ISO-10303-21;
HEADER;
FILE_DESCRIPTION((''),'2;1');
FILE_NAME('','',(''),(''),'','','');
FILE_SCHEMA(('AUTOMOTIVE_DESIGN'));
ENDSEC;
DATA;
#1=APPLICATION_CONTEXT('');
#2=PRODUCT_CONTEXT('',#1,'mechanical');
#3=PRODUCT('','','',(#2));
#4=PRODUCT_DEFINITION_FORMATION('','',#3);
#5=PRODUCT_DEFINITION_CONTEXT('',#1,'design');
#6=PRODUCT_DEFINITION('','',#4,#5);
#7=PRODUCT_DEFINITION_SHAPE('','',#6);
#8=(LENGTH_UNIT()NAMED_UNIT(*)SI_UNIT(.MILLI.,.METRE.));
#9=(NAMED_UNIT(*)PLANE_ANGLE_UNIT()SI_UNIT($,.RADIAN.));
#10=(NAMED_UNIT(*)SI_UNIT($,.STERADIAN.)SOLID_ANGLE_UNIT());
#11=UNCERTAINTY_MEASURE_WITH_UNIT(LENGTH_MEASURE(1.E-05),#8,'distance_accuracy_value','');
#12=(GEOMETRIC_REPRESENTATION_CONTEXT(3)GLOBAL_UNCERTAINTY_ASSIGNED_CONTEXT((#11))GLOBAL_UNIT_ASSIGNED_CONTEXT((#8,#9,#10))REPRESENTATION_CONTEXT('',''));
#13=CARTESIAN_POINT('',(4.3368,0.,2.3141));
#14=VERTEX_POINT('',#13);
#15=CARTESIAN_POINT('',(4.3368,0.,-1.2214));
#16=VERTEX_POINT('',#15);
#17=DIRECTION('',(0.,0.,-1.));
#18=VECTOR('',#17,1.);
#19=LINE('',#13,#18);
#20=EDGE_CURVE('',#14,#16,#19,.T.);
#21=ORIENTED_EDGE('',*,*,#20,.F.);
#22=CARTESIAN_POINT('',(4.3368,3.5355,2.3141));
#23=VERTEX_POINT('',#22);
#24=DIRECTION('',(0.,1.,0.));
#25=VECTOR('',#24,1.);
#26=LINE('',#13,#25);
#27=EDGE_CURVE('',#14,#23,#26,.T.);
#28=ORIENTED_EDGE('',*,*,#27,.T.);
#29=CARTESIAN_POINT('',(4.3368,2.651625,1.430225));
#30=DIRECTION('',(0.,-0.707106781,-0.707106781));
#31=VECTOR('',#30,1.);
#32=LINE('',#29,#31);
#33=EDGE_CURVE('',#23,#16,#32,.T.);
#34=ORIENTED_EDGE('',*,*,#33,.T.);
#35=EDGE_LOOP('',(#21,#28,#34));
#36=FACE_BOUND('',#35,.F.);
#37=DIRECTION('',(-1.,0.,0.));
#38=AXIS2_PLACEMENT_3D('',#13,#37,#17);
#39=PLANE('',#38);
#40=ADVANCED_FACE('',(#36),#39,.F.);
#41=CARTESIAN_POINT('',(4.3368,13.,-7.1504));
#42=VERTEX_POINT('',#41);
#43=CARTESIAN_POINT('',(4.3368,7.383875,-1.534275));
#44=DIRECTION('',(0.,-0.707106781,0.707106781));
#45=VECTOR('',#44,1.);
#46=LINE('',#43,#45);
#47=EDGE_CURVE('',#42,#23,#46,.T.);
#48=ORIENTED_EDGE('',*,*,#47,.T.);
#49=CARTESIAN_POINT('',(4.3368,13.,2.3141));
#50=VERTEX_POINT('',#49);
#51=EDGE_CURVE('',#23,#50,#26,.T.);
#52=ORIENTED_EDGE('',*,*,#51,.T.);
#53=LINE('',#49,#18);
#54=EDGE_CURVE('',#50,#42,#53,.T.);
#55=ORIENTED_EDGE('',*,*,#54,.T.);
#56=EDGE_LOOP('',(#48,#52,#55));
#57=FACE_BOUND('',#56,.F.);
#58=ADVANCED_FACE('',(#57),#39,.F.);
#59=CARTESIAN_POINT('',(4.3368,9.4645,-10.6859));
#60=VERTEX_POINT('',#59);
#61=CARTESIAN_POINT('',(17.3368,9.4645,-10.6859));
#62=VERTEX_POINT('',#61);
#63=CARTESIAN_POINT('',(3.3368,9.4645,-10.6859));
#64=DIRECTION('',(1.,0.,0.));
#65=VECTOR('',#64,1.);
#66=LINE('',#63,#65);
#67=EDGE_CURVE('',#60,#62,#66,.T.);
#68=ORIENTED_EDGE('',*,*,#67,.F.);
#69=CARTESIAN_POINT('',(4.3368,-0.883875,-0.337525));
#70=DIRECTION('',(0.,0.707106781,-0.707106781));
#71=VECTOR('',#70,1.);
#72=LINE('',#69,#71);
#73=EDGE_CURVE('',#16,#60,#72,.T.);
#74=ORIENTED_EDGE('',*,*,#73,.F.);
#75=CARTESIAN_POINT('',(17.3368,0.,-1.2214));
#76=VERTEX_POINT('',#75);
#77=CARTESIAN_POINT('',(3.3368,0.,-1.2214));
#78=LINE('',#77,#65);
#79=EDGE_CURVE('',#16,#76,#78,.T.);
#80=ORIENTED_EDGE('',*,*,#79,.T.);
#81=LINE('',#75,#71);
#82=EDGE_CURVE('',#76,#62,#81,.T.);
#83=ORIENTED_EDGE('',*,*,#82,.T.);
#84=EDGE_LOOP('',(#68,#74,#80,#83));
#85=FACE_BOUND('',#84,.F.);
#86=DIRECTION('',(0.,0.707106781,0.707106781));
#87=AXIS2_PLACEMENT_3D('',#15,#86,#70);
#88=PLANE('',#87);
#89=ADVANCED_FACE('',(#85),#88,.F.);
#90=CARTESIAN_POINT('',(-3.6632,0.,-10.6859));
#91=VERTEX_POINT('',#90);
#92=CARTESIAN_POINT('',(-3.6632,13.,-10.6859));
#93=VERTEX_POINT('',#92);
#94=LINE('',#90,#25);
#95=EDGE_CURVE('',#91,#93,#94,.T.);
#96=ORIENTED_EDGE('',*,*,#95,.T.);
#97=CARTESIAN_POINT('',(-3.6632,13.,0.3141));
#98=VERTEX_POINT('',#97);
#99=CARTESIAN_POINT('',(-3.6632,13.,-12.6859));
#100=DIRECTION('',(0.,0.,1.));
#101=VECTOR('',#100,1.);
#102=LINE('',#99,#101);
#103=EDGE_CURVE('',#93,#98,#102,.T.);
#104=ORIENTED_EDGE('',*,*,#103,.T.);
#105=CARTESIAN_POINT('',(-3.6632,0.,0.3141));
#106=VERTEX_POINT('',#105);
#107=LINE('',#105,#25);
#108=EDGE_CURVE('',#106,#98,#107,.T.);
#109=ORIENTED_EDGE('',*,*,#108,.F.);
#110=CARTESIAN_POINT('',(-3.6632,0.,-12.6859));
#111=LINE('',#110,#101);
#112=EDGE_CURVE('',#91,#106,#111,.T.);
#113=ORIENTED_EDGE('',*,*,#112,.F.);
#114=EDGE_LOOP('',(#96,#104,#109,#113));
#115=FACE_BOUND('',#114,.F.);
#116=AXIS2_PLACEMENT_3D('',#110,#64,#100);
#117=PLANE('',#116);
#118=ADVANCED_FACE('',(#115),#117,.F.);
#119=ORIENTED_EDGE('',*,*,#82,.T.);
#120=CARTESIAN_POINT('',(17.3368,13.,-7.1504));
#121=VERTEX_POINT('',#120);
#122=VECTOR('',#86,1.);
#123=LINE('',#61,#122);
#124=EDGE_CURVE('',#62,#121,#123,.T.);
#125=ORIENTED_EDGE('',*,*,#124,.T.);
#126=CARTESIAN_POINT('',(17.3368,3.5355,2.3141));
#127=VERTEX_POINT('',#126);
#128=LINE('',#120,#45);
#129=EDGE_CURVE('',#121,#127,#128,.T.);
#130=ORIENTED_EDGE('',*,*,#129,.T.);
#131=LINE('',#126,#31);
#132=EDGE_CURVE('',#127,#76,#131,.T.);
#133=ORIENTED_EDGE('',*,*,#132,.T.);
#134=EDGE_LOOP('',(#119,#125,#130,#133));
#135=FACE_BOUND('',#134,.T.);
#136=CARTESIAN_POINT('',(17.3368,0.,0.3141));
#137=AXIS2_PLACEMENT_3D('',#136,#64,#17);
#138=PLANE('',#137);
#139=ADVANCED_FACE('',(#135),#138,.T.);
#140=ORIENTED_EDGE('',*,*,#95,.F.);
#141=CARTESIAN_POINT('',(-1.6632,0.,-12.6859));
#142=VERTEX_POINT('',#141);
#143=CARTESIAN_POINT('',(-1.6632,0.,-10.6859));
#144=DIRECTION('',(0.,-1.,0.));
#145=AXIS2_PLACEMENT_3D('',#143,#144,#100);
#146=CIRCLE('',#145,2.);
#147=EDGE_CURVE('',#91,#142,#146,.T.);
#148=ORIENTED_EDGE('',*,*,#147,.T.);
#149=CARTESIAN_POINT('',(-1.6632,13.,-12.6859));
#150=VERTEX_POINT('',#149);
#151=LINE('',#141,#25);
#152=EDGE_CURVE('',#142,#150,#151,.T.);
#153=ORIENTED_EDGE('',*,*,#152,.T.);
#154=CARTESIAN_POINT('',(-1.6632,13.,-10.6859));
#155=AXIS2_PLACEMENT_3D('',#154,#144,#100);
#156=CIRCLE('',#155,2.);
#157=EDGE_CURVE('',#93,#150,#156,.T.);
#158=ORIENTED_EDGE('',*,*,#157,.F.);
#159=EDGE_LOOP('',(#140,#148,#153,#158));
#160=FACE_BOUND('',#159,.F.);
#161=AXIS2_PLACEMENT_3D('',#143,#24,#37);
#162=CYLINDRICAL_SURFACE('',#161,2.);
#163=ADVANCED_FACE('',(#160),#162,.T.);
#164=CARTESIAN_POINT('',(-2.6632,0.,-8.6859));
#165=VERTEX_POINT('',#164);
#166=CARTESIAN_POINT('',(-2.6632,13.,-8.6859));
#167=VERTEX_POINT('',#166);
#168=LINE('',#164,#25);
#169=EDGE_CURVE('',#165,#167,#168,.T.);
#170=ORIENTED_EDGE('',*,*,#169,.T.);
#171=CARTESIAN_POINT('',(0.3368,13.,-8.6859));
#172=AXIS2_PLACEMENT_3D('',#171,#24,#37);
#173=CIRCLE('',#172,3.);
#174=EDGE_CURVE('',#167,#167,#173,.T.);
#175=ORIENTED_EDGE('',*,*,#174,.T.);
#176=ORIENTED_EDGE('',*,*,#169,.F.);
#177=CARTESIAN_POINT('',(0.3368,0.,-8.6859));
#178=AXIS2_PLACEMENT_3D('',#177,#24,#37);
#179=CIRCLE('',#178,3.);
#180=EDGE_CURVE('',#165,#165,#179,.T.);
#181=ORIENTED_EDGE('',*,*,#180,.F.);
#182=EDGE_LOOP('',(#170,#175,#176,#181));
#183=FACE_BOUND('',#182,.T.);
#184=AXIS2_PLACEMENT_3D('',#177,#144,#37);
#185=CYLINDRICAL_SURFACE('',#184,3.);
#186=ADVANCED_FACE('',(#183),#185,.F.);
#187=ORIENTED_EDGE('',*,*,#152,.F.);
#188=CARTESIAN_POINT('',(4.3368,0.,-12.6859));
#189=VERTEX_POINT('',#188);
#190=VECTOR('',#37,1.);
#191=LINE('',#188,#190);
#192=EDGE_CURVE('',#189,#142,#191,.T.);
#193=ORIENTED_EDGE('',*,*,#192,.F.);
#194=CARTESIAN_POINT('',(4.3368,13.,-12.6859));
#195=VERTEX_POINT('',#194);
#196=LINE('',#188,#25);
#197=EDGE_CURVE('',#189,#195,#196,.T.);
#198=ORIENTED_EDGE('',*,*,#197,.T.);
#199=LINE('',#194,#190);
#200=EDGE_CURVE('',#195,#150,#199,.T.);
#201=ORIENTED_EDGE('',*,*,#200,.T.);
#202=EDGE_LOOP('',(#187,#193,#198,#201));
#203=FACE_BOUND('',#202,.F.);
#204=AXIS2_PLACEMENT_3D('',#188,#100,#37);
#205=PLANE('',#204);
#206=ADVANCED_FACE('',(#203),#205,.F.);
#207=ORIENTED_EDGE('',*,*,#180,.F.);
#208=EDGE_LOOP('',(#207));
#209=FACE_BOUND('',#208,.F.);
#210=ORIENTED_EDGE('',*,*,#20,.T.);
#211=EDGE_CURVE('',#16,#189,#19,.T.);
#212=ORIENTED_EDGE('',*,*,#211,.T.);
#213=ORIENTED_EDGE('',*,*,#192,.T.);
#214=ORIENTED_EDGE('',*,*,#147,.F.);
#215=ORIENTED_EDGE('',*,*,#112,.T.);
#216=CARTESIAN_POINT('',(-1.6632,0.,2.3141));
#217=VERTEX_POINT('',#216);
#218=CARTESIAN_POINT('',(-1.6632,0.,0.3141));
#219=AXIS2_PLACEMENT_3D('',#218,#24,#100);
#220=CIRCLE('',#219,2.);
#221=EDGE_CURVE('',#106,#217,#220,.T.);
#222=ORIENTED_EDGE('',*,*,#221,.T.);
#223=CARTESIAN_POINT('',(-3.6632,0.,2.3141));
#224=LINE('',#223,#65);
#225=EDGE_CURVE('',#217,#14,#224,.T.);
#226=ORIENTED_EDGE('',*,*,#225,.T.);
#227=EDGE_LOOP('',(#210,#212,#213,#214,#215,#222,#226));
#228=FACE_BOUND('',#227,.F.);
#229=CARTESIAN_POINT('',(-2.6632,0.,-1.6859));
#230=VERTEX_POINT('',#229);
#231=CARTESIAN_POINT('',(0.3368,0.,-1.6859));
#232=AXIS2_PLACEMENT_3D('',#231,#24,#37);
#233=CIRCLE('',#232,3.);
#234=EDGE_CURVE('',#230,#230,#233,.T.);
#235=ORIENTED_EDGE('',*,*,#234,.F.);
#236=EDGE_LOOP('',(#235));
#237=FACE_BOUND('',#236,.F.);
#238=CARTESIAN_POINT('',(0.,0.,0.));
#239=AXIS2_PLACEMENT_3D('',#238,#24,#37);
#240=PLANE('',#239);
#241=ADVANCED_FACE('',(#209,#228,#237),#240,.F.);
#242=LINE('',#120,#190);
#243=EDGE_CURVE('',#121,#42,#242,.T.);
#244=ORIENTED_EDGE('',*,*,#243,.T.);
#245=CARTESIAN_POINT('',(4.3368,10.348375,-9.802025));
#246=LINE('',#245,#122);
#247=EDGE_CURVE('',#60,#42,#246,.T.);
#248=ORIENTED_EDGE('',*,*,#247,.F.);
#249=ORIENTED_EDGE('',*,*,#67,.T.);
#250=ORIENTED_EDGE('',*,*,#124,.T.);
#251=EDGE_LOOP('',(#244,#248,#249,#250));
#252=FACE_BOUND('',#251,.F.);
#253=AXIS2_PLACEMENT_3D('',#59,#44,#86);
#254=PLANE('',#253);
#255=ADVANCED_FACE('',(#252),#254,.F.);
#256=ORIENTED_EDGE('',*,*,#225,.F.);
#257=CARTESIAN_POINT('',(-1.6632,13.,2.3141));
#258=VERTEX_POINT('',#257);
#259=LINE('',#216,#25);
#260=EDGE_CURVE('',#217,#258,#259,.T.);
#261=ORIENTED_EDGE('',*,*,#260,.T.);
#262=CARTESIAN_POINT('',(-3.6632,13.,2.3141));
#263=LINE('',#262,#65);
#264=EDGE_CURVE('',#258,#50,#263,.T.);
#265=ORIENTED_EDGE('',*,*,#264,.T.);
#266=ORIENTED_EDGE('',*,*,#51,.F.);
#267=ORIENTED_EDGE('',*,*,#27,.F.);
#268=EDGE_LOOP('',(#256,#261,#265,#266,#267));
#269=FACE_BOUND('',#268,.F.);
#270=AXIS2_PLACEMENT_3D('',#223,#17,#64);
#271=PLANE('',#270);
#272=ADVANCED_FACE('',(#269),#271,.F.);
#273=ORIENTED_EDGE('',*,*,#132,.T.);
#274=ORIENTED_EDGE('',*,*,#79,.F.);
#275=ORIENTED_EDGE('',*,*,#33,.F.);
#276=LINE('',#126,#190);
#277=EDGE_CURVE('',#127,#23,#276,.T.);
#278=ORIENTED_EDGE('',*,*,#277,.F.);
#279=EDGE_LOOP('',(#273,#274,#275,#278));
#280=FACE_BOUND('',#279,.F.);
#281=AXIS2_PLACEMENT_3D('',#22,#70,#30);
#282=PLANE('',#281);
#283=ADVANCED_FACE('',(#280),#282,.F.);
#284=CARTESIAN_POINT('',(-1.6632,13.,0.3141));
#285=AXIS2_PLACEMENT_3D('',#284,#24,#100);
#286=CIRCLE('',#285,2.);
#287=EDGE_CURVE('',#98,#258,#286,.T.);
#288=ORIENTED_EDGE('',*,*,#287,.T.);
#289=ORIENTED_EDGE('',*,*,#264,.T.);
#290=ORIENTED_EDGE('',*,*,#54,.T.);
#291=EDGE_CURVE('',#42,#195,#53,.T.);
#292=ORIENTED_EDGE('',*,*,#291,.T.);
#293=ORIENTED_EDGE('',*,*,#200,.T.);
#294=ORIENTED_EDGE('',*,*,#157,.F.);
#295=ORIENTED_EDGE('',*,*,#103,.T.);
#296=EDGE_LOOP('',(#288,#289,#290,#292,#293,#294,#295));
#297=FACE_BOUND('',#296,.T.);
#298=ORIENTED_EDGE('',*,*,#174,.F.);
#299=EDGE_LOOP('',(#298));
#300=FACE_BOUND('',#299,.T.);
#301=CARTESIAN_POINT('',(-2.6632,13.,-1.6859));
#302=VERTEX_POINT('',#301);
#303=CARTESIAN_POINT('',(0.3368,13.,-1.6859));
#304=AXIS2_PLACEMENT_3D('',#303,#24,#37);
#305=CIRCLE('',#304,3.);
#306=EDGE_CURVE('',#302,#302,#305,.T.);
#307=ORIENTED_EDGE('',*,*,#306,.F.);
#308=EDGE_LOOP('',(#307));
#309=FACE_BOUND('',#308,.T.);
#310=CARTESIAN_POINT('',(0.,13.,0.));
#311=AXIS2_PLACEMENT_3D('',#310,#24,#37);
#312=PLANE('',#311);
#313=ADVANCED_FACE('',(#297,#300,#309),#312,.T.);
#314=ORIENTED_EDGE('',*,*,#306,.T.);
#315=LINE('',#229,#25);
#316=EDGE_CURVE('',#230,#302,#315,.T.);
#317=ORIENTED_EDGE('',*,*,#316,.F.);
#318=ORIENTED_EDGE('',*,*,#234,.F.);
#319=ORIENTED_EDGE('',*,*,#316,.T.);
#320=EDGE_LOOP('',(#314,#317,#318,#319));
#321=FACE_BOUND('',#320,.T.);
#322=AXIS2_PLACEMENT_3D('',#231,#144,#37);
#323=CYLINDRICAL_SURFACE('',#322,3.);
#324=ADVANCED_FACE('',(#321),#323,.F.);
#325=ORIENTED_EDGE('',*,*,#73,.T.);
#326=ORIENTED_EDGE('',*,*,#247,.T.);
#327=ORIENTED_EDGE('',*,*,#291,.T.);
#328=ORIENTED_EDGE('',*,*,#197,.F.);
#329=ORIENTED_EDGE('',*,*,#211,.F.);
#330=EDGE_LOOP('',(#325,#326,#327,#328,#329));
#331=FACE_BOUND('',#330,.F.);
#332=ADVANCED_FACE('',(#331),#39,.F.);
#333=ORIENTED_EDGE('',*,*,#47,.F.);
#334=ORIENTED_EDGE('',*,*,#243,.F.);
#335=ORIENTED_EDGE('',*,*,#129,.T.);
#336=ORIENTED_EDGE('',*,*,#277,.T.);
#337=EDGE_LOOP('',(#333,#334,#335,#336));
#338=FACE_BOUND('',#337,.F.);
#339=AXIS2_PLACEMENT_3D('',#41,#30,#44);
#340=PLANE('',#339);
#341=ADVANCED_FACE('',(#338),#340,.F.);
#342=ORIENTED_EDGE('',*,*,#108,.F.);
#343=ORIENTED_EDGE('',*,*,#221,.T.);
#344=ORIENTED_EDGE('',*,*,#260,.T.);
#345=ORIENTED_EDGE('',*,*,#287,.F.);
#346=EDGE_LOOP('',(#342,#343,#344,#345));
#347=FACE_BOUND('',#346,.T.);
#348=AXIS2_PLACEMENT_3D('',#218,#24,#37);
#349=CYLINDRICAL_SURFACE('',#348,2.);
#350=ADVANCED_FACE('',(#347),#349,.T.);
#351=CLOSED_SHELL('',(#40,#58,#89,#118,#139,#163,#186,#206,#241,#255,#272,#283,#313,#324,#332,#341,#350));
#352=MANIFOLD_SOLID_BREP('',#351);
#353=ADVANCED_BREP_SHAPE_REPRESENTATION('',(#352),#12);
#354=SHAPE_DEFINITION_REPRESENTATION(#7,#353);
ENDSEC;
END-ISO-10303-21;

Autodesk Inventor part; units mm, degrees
ref_plane "YZ Plane" through (0, 0, 0) normal (1, 0, 0) x (0, 1, 0)
ref_plane "XZ Plane" through (0, 0, 0) normal (0, 1, 0) x (-1, 0, 0)
ref_plane "XY Plane" through (0, 0, 0) normal (0, 0, 1) x (1, 0, 0)
sketch "Szkic1" plane through (0, 0, 0) normal (0, 1, 0) x (-1, 0, 0)
  circle A0 centre (-0.3368, -8.6859) radius 3
  circle A1 centre (-0.3368, -1.6859) radius 3
  line L0 (3.6632, 2.3141) -> (-4.3368, 2.3141)
  line L1 (-4.3368, 2.3141) -> (-4.3368, -12.6859)
  line L2 (-4.3368, -12.6859) -> (3.6632, -12.6859)
  line L3 (3.6632, -12.6859) -> (3.6632, 2.3141)
  point P0 (0, 0)
  dimension "d0" = 6
  dimension "d1" = 6
  dimension "d2" = 7
  dimension "d3" = 8
  dimension "d4" = 15
  dimension "d5" = 4
  dimension "d6" = 4
extrude "Wyciągnięcie proste1" add sketch "Szkic1" along normal blind 13
fillet "Zaokrąglenie1" radius 2 2 edges at (-3.6632, 6.5, 2.3141) (-3.6632, 6.5, -12.6859)
sketch "Szkic2" plane through (4.3368, 0, 0.3141) normal (1, 0, 0) x (0, 0, -1)
  line L0 (6, 13) -> (6, 0) construction
  line L1 (-2, 0) -> (13, 0) projected
  line L2 (13, 0) -> (13, 13) projected
  line L3 (-2, 13) -> (13, 13) projected
  line L4 (-2, 0) -> (-2, 13) projected
  line L5 (-2, 3.5355) -> (1.5355, 0)
  line L6 (-2, 3.5355) -> (3, 3.5355) construction
  line L7 (1.5355, 0) -> (11, 9.4645)
  line L8 (11, 9.4645) -> (7.4645, 13)
  line L9 (7.4645, 13) -> (-2, 3.5355)
  line L10 (-2, 0) -> (-2, 13) construction
  dimension "d18" = 45
  dimension "d19" = 90
  dimension "d20" = 90
  dimension "d21" = 5
extrude "Wyciągnięcie proste2" add sketch "Szkic2" along normal blind 13 and the other way blind 1 contours L5 L9 L8 L7
properties part number "obudowa_stand"
